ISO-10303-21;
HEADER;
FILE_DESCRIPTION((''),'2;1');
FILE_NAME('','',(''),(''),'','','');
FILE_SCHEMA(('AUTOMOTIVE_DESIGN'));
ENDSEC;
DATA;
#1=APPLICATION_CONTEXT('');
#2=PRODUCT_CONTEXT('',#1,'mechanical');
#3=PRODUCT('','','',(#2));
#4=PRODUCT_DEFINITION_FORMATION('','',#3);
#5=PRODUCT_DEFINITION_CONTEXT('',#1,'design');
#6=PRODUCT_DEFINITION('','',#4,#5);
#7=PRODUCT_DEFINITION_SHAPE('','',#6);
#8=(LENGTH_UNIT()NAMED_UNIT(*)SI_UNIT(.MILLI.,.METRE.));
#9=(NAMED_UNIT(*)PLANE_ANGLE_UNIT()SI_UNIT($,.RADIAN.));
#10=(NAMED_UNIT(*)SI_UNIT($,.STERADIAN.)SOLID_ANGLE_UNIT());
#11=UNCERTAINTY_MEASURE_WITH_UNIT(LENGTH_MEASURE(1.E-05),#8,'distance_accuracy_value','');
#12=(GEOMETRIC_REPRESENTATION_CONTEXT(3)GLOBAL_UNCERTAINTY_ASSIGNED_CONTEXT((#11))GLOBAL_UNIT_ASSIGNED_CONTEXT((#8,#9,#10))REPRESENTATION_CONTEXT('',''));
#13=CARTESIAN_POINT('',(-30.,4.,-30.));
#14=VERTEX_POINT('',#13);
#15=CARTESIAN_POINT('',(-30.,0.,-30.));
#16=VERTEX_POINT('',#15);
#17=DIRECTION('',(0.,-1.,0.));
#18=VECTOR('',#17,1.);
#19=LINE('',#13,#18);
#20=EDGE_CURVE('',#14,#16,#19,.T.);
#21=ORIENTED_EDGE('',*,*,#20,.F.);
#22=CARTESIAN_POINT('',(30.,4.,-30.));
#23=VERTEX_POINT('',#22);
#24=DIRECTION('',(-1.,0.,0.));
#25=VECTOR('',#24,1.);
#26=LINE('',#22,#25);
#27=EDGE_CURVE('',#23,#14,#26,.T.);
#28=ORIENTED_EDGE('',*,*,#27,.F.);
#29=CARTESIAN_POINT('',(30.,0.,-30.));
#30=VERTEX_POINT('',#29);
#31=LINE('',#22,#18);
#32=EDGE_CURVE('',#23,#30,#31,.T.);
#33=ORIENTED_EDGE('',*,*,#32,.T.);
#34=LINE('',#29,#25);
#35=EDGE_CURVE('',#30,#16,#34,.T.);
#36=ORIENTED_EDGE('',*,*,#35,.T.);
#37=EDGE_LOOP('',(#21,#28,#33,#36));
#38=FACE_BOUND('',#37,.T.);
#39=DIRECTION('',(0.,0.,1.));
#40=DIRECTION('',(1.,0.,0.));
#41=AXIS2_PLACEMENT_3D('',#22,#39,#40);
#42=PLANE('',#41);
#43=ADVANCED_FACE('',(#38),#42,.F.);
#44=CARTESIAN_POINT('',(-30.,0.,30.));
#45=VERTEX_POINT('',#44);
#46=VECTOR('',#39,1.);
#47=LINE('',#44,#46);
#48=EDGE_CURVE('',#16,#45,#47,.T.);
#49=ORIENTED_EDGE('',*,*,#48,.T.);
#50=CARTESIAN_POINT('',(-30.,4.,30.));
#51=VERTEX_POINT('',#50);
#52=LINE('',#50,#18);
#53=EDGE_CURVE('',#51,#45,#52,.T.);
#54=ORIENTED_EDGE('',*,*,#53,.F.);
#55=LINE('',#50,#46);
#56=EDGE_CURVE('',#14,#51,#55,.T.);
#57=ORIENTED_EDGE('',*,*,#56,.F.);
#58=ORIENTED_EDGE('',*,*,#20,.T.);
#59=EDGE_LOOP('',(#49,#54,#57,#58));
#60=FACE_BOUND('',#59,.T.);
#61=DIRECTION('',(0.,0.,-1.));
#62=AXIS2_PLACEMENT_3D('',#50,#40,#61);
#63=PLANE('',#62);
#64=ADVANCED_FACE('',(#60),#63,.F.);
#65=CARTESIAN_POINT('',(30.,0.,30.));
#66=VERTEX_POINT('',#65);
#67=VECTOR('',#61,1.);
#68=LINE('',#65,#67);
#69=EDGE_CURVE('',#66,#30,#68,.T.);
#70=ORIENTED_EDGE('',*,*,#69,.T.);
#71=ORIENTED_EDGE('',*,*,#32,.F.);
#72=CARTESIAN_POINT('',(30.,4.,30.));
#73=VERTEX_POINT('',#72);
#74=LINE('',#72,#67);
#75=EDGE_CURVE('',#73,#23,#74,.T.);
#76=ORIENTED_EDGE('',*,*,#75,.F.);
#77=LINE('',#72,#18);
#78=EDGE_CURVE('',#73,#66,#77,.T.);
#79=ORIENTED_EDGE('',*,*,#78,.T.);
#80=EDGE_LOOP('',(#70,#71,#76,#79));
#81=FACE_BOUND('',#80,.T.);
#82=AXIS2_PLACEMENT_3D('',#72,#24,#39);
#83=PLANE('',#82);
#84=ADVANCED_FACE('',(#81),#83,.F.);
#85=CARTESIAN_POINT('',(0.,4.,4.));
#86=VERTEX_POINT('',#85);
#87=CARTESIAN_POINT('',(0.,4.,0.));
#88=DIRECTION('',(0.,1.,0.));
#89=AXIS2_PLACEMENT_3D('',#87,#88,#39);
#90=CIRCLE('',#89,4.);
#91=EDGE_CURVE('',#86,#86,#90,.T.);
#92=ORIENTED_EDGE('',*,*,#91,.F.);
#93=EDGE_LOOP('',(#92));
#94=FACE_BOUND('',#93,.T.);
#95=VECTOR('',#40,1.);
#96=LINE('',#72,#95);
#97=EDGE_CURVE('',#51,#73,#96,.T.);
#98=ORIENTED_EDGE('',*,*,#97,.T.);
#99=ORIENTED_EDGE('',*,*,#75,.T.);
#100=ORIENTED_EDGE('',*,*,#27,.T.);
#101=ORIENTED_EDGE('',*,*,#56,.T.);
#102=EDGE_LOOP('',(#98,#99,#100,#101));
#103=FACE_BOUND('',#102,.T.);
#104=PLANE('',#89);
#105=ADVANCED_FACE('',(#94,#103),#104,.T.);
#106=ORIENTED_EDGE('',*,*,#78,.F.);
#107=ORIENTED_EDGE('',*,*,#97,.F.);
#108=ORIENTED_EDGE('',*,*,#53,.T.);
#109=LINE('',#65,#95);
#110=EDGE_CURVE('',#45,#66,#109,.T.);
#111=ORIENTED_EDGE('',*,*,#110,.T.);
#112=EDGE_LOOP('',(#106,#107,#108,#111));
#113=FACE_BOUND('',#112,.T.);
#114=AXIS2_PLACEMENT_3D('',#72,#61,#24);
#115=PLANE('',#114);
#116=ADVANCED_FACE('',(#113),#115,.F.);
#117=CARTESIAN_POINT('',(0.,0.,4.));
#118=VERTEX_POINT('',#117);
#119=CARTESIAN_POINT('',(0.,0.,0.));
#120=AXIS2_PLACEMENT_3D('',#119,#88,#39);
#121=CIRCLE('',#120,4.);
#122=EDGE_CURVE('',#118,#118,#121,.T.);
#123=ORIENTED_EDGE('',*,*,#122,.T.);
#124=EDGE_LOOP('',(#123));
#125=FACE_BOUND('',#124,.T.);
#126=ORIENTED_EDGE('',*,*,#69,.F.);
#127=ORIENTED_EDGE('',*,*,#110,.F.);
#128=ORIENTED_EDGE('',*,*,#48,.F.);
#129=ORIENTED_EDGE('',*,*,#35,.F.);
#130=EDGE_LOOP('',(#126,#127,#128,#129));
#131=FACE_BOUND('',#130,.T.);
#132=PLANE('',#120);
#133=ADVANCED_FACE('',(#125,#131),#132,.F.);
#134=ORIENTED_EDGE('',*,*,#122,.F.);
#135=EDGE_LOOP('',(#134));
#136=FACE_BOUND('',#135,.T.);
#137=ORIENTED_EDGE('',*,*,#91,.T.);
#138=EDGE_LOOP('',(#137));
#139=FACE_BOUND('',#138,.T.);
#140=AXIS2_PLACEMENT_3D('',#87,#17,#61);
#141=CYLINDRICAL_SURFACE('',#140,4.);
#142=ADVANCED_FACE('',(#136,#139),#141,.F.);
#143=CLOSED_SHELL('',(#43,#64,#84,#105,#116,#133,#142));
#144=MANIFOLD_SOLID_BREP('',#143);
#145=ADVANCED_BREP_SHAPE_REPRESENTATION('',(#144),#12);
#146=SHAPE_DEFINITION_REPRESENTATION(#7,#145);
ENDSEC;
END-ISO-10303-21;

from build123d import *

# Parameters (mm, degrees)
SKETCH_1_W      = 60
SKETCH_1_H      = 60
SKETCH_1_R      = 4
EXTRUDE_1_DEPTH = 4


with BuildPart() as part:
    # 草图1 → 凸台-拉伸1 (new body)
    with BuildSketch(Plane(origin=(0, 0, 0), x_dir=(1, 0, 0), z_dir=(0, 1, 0))):
        Rectangle(SKETCH_1_W, SKETCH_1_H)
        with Locations(Location((0, 0, 0), (0, 0, 270))):
            Circle(SKETCH_1_R, mode=Mode.SUBTRACT)
    extrude(amount=EXTRUDE_1_DEPTH)


solid = part.part
